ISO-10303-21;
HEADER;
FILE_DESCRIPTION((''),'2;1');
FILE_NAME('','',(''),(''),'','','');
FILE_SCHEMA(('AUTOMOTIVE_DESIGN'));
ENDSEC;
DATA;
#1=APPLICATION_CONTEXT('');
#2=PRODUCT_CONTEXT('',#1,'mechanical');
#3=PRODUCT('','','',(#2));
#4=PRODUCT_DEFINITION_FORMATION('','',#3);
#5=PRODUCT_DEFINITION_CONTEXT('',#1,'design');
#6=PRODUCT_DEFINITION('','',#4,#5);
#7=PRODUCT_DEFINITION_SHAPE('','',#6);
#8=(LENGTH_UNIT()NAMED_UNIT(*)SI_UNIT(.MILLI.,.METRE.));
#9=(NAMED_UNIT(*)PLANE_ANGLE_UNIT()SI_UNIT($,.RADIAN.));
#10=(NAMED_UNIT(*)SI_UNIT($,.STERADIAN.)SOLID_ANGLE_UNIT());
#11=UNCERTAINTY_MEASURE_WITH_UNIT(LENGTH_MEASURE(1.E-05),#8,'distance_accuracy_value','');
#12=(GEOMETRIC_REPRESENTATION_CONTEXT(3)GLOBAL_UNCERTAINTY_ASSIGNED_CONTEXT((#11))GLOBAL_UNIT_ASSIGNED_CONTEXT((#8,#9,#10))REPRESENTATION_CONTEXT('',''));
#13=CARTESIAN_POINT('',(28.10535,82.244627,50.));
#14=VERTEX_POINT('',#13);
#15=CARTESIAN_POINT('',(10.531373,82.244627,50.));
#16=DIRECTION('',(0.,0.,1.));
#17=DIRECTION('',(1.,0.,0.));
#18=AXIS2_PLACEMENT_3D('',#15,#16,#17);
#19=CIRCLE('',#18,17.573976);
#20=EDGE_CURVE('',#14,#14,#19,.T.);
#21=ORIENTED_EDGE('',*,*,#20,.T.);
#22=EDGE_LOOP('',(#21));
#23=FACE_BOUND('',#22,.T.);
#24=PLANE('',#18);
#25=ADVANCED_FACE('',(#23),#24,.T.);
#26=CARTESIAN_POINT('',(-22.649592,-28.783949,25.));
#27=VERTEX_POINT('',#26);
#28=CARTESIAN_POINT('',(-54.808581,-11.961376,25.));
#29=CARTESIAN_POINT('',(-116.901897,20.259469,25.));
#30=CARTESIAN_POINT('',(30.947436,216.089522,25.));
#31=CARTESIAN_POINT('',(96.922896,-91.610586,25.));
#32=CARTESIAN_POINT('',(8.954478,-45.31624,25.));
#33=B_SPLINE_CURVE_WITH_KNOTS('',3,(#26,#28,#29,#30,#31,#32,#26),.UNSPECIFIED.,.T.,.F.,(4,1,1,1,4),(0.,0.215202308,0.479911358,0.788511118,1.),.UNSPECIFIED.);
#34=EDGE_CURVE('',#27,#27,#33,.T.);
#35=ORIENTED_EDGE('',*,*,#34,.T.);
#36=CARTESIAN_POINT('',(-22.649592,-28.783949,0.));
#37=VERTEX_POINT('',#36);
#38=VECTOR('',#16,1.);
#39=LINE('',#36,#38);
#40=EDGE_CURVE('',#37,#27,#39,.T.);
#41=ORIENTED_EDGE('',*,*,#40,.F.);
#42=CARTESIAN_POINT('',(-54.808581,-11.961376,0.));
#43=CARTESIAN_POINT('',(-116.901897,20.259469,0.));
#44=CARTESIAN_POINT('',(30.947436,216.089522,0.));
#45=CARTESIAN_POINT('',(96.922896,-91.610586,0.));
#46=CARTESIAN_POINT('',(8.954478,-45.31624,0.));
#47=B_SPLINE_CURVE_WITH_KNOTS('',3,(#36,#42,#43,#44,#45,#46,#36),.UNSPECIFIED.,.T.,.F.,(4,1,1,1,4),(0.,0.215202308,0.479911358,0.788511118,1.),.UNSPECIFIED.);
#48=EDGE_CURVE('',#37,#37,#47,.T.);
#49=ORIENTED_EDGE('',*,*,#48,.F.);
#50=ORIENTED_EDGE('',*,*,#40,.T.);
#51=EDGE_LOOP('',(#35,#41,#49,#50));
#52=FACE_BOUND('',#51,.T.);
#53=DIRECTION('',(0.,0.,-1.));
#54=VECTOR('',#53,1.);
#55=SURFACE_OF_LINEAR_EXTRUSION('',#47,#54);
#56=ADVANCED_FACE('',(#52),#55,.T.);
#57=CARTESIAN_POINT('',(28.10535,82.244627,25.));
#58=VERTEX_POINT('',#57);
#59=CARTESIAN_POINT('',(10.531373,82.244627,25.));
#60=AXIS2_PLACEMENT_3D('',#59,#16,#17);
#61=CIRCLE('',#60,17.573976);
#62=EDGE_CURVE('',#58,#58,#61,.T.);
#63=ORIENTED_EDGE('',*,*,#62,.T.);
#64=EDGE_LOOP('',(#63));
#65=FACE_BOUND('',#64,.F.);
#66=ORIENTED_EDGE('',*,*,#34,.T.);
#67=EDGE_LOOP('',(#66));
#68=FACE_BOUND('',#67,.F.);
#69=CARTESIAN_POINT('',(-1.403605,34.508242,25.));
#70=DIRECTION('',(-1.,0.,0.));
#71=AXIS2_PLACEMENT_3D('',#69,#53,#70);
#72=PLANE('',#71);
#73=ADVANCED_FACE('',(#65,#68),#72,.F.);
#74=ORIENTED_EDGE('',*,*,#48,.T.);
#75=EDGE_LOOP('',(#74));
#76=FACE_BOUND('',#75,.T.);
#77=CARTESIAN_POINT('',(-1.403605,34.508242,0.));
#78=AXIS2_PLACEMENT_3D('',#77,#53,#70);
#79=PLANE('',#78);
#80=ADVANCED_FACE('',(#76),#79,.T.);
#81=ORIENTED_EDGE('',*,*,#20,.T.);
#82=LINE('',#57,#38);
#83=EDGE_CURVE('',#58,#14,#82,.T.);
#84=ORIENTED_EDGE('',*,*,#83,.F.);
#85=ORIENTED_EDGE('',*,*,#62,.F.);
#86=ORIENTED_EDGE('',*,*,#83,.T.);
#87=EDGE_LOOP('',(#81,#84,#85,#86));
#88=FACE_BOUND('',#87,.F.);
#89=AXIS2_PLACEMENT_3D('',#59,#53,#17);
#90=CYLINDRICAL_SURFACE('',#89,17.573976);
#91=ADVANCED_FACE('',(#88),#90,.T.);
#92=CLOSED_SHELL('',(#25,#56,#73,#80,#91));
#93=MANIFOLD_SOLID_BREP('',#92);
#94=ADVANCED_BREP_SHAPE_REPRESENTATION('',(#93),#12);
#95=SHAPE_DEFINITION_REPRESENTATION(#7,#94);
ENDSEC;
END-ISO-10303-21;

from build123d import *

# Parameters (mm, degrees)
F1_DEPTH = 25
F2_R     = 17.5739762064
F3_DEPTH = 25


with BuildPart() as f1:
    # F0 (on Top) → F1 (new body)
    with BuildSketch(Plane.XY):
        with BuildLine():
            add(Edge.make_bspline(
                [(-22.6495917886, -28.783949092), (-54.8085813598, -11.9613764658), (-116.9018974162, 20.2594691575), (30.947435711, 216.0895216593), (96.9228956677, -91.6105857223), (8.9544779407, -45.3162396085), (-22.6495917886, -28.783949092)],
                knots=[0, 0, 0, 0, 0.215202308, 0.4799113585, 0.7885111181, 1, 1, 1, 1], degree=3))
        make_face()
    extrude(amount=F1_DEPTH)

    # F2 (on face) → F3 (join)
    with BuildSketch(Plane.XY.offset(25)):
        with Locations((10.531373322, 82.2446271777)):
            Circle(F2_R)
    extrude(amount=F3_DEPTH)


solid = f1.part
